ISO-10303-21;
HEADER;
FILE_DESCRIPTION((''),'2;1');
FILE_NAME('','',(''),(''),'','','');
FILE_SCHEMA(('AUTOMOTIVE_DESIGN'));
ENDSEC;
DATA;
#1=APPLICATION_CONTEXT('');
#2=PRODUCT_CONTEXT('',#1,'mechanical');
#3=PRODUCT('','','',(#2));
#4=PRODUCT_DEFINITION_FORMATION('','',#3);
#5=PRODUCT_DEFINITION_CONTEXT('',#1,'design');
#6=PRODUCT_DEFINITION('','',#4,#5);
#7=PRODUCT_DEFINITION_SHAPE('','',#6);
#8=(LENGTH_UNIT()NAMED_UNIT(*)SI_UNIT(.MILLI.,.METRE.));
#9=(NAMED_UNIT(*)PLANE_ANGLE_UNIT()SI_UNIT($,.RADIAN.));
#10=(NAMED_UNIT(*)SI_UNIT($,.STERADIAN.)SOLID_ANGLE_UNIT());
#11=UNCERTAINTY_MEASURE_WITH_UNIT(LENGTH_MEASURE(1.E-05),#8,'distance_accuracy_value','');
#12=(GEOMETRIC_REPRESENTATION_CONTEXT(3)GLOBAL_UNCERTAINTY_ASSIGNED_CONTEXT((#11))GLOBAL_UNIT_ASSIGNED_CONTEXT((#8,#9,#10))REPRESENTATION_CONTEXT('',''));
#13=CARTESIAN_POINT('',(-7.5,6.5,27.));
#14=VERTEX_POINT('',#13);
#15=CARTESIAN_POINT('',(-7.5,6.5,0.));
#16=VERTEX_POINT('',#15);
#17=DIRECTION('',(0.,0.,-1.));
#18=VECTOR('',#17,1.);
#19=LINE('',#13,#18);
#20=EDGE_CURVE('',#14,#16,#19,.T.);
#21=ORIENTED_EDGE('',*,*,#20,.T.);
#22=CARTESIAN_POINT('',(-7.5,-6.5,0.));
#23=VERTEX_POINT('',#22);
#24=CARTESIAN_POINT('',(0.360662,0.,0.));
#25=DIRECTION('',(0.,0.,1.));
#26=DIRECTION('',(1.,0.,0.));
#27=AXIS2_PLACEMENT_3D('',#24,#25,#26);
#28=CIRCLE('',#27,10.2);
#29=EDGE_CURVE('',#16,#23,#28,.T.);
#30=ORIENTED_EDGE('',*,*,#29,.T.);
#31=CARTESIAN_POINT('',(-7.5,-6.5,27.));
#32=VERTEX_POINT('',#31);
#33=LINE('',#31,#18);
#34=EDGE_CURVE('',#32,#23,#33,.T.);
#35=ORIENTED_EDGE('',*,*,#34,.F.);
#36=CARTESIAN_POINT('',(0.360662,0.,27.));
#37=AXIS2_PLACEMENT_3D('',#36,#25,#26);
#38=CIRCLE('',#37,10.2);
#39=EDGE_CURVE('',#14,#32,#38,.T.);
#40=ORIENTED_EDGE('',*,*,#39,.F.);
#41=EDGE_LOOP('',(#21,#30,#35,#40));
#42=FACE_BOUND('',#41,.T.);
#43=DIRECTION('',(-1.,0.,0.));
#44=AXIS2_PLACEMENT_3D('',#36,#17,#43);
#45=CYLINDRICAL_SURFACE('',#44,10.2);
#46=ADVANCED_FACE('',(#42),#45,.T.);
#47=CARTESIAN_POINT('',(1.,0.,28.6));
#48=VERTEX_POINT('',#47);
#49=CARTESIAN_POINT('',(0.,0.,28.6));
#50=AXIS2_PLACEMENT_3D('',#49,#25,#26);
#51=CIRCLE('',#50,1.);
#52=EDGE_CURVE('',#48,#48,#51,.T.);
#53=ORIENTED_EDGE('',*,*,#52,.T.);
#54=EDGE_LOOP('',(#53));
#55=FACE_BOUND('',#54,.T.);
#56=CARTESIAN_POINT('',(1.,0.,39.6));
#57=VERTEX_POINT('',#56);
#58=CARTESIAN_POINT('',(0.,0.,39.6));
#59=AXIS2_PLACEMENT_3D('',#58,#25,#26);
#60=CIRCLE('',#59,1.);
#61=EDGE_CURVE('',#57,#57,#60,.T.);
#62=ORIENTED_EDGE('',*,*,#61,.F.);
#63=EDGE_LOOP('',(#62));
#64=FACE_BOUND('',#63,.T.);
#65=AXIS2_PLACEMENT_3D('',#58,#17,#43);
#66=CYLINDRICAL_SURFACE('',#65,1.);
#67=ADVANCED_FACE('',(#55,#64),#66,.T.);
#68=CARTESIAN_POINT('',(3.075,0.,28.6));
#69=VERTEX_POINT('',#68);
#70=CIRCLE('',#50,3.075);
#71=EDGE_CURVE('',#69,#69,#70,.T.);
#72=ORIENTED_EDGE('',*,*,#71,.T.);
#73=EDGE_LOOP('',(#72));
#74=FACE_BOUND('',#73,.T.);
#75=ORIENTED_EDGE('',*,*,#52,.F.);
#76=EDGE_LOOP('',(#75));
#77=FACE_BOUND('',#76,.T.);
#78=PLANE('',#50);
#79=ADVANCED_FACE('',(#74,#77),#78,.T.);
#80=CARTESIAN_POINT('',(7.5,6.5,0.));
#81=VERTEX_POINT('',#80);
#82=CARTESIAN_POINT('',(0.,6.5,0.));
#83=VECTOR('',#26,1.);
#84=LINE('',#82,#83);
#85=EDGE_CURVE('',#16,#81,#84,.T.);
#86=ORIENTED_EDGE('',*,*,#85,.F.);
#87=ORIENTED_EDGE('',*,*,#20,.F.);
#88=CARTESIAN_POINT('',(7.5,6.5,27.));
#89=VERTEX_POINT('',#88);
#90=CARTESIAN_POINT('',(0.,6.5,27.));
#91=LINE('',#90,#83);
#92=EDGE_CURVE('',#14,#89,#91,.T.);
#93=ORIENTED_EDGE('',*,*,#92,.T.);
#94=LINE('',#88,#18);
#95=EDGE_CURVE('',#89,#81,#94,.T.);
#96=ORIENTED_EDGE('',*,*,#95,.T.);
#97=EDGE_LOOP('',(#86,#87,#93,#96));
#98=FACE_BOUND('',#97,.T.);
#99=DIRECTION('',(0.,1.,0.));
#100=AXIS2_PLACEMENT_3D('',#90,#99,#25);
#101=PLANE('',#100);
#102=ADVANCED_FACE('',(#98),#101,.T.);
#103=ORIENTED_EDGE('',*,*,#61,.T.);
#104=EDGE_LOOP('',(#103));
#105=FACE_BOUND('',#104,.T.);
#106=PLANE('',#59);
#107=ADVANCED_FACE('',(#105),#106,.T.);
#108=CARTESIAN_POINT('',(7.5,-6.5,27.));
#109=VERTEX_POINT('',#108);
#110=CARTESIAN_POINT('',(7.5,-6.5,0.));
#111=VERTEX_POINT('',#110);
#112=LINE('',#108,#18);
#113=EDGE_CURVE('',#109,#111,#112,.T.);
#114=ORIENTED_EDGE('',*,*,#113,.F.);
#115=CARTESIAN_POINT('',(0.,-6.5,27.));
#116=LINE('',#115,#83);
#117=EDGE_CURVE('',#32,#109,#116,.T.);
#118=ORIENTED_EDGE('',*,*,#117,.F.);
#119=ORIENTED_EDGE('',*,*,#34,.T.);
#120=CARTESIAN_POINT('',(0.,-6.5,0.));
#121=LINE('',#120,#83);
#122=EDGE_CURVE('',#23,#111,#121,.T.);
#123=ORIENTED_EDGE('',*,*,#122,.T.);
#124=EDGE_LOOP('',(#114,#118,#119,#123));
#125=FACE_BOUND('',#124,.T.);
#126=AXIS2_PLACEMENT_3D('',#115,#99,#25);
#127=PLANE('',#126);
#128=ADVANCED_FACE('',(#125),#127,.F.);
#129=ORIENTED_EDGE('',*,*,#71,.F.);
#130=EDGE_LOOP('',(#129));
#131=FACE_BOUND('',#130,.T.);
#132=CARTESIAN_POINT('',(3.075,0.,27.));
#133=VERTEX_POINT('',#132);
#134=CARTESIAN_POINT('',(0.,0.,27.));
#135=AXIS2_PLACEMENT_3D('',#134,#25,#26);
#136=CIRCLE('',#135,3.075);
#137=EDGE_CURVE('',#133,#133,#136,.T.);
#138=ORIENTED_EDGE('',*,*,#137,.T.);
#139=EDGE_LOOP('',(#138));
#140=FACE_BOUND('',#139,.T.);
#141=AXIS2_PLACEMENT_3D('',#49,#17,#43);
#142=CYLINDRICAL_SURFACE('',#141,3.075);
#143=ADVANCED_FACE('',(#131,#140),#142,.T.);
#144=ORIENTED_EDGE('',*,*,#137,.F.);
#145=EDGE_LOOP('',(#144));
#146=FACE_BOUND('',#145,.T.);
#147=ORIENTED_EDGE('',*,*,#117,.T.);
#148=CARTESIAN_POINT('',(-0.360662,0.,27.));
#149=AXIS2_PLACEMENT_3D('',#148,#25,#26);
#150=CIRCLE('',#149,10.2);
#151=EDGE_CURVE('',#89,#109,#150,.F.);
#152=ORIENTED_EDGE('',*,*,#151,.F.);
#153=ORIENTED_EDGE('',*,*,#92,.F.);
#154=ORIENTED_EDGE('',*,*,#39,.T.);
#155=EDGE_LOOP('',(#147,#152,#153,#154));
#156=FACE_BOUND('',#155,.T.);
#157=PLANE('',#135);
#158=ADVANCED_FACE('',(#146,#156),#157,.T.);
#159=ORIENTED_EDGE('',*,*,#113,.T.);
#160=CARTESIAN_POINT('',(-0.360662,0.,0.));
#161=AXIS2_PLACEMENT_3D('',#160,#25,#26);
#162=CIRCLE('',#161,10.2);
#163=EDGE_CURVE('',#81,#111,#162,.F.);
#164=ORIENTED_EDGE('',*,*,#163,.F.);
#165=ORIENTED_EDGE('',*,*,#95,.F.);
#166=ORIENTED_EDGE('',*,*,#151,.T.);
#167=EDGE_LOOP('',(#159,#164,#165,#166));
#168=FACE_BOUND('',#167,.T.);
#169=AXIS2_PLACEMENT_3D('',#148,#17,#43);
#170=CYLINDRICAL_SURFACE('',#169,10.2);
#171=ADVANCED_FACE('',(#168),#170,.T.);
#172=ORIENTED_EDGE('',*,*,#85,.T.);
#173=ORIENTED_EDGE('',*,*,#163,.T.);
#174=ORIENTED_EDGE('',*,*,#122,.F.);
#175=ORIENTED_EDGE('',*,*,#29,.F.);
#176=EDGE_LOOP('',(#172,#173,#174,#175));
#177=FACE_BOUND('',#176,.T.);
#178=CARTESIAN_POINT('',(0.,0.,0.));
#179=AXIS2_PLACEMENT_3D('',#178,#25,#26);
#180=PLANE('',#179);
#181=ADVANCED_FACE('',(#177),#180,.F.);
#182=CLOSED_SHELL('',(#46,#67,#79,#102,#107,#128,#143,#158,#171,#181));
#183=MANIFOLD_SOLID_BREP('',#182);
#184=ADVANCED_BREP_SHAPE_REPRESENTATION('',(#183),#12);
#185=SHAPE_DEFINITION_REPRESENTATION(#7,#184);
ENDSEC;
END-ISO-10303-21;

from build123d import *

# Parameters (mm, degrees)
SKETCH1_W           = 15
SKETCH1_H           = 13
BOSS_EXTRUDE1_DEPTH = 27
SKETCH2_R           = 3.075
BOSS_EXTRUDE2_DEPTH = 1.6
SKETCH3_R           = 1
BOSS_EXTRUDE3_DEPTH = 11


with BuildPart() as part:
    # Sketch1 → Boss-Extrude1 (new body)
    with BuildSketch(Plane.XY):
        Rectangle(SKETCH1_W, SKETCH1_H)
        with BuildLine():
            ThreePointArc((7.5, 6.5), (9.83933845, 0), (7.5, -6.5))
            Line((7.5, -6.5), (7.5, 6.5))
        make_face()
        with BuildLine():
            Line((-7.5, -6.5), (-7.5, 6.5))
            ThreePointArc((-7.5, 6.5), (-9.83933845, 0), (-7.5, -6.5))
        make_face()
    extrude(amount=BOSS_EXTRUDE1_DEPTH)

    # Sketch2 → Boss-Extrude2 (add)
    with BuildSketch(Plane.XY.offset(27)):
        Circle(SKETCH2_R)
    extrude(amount=BOSS_EXTRUDE2_DEPTH)

    # Sketch3 → Boss-Extrude3 (add)
    with BuildSketch(Plane.XY.offset(28.6)):
        Circle(SKETCH3_R)
    extrude(amount=BOSS_EXTRUDE3_DEPTH)


solid = part.part
